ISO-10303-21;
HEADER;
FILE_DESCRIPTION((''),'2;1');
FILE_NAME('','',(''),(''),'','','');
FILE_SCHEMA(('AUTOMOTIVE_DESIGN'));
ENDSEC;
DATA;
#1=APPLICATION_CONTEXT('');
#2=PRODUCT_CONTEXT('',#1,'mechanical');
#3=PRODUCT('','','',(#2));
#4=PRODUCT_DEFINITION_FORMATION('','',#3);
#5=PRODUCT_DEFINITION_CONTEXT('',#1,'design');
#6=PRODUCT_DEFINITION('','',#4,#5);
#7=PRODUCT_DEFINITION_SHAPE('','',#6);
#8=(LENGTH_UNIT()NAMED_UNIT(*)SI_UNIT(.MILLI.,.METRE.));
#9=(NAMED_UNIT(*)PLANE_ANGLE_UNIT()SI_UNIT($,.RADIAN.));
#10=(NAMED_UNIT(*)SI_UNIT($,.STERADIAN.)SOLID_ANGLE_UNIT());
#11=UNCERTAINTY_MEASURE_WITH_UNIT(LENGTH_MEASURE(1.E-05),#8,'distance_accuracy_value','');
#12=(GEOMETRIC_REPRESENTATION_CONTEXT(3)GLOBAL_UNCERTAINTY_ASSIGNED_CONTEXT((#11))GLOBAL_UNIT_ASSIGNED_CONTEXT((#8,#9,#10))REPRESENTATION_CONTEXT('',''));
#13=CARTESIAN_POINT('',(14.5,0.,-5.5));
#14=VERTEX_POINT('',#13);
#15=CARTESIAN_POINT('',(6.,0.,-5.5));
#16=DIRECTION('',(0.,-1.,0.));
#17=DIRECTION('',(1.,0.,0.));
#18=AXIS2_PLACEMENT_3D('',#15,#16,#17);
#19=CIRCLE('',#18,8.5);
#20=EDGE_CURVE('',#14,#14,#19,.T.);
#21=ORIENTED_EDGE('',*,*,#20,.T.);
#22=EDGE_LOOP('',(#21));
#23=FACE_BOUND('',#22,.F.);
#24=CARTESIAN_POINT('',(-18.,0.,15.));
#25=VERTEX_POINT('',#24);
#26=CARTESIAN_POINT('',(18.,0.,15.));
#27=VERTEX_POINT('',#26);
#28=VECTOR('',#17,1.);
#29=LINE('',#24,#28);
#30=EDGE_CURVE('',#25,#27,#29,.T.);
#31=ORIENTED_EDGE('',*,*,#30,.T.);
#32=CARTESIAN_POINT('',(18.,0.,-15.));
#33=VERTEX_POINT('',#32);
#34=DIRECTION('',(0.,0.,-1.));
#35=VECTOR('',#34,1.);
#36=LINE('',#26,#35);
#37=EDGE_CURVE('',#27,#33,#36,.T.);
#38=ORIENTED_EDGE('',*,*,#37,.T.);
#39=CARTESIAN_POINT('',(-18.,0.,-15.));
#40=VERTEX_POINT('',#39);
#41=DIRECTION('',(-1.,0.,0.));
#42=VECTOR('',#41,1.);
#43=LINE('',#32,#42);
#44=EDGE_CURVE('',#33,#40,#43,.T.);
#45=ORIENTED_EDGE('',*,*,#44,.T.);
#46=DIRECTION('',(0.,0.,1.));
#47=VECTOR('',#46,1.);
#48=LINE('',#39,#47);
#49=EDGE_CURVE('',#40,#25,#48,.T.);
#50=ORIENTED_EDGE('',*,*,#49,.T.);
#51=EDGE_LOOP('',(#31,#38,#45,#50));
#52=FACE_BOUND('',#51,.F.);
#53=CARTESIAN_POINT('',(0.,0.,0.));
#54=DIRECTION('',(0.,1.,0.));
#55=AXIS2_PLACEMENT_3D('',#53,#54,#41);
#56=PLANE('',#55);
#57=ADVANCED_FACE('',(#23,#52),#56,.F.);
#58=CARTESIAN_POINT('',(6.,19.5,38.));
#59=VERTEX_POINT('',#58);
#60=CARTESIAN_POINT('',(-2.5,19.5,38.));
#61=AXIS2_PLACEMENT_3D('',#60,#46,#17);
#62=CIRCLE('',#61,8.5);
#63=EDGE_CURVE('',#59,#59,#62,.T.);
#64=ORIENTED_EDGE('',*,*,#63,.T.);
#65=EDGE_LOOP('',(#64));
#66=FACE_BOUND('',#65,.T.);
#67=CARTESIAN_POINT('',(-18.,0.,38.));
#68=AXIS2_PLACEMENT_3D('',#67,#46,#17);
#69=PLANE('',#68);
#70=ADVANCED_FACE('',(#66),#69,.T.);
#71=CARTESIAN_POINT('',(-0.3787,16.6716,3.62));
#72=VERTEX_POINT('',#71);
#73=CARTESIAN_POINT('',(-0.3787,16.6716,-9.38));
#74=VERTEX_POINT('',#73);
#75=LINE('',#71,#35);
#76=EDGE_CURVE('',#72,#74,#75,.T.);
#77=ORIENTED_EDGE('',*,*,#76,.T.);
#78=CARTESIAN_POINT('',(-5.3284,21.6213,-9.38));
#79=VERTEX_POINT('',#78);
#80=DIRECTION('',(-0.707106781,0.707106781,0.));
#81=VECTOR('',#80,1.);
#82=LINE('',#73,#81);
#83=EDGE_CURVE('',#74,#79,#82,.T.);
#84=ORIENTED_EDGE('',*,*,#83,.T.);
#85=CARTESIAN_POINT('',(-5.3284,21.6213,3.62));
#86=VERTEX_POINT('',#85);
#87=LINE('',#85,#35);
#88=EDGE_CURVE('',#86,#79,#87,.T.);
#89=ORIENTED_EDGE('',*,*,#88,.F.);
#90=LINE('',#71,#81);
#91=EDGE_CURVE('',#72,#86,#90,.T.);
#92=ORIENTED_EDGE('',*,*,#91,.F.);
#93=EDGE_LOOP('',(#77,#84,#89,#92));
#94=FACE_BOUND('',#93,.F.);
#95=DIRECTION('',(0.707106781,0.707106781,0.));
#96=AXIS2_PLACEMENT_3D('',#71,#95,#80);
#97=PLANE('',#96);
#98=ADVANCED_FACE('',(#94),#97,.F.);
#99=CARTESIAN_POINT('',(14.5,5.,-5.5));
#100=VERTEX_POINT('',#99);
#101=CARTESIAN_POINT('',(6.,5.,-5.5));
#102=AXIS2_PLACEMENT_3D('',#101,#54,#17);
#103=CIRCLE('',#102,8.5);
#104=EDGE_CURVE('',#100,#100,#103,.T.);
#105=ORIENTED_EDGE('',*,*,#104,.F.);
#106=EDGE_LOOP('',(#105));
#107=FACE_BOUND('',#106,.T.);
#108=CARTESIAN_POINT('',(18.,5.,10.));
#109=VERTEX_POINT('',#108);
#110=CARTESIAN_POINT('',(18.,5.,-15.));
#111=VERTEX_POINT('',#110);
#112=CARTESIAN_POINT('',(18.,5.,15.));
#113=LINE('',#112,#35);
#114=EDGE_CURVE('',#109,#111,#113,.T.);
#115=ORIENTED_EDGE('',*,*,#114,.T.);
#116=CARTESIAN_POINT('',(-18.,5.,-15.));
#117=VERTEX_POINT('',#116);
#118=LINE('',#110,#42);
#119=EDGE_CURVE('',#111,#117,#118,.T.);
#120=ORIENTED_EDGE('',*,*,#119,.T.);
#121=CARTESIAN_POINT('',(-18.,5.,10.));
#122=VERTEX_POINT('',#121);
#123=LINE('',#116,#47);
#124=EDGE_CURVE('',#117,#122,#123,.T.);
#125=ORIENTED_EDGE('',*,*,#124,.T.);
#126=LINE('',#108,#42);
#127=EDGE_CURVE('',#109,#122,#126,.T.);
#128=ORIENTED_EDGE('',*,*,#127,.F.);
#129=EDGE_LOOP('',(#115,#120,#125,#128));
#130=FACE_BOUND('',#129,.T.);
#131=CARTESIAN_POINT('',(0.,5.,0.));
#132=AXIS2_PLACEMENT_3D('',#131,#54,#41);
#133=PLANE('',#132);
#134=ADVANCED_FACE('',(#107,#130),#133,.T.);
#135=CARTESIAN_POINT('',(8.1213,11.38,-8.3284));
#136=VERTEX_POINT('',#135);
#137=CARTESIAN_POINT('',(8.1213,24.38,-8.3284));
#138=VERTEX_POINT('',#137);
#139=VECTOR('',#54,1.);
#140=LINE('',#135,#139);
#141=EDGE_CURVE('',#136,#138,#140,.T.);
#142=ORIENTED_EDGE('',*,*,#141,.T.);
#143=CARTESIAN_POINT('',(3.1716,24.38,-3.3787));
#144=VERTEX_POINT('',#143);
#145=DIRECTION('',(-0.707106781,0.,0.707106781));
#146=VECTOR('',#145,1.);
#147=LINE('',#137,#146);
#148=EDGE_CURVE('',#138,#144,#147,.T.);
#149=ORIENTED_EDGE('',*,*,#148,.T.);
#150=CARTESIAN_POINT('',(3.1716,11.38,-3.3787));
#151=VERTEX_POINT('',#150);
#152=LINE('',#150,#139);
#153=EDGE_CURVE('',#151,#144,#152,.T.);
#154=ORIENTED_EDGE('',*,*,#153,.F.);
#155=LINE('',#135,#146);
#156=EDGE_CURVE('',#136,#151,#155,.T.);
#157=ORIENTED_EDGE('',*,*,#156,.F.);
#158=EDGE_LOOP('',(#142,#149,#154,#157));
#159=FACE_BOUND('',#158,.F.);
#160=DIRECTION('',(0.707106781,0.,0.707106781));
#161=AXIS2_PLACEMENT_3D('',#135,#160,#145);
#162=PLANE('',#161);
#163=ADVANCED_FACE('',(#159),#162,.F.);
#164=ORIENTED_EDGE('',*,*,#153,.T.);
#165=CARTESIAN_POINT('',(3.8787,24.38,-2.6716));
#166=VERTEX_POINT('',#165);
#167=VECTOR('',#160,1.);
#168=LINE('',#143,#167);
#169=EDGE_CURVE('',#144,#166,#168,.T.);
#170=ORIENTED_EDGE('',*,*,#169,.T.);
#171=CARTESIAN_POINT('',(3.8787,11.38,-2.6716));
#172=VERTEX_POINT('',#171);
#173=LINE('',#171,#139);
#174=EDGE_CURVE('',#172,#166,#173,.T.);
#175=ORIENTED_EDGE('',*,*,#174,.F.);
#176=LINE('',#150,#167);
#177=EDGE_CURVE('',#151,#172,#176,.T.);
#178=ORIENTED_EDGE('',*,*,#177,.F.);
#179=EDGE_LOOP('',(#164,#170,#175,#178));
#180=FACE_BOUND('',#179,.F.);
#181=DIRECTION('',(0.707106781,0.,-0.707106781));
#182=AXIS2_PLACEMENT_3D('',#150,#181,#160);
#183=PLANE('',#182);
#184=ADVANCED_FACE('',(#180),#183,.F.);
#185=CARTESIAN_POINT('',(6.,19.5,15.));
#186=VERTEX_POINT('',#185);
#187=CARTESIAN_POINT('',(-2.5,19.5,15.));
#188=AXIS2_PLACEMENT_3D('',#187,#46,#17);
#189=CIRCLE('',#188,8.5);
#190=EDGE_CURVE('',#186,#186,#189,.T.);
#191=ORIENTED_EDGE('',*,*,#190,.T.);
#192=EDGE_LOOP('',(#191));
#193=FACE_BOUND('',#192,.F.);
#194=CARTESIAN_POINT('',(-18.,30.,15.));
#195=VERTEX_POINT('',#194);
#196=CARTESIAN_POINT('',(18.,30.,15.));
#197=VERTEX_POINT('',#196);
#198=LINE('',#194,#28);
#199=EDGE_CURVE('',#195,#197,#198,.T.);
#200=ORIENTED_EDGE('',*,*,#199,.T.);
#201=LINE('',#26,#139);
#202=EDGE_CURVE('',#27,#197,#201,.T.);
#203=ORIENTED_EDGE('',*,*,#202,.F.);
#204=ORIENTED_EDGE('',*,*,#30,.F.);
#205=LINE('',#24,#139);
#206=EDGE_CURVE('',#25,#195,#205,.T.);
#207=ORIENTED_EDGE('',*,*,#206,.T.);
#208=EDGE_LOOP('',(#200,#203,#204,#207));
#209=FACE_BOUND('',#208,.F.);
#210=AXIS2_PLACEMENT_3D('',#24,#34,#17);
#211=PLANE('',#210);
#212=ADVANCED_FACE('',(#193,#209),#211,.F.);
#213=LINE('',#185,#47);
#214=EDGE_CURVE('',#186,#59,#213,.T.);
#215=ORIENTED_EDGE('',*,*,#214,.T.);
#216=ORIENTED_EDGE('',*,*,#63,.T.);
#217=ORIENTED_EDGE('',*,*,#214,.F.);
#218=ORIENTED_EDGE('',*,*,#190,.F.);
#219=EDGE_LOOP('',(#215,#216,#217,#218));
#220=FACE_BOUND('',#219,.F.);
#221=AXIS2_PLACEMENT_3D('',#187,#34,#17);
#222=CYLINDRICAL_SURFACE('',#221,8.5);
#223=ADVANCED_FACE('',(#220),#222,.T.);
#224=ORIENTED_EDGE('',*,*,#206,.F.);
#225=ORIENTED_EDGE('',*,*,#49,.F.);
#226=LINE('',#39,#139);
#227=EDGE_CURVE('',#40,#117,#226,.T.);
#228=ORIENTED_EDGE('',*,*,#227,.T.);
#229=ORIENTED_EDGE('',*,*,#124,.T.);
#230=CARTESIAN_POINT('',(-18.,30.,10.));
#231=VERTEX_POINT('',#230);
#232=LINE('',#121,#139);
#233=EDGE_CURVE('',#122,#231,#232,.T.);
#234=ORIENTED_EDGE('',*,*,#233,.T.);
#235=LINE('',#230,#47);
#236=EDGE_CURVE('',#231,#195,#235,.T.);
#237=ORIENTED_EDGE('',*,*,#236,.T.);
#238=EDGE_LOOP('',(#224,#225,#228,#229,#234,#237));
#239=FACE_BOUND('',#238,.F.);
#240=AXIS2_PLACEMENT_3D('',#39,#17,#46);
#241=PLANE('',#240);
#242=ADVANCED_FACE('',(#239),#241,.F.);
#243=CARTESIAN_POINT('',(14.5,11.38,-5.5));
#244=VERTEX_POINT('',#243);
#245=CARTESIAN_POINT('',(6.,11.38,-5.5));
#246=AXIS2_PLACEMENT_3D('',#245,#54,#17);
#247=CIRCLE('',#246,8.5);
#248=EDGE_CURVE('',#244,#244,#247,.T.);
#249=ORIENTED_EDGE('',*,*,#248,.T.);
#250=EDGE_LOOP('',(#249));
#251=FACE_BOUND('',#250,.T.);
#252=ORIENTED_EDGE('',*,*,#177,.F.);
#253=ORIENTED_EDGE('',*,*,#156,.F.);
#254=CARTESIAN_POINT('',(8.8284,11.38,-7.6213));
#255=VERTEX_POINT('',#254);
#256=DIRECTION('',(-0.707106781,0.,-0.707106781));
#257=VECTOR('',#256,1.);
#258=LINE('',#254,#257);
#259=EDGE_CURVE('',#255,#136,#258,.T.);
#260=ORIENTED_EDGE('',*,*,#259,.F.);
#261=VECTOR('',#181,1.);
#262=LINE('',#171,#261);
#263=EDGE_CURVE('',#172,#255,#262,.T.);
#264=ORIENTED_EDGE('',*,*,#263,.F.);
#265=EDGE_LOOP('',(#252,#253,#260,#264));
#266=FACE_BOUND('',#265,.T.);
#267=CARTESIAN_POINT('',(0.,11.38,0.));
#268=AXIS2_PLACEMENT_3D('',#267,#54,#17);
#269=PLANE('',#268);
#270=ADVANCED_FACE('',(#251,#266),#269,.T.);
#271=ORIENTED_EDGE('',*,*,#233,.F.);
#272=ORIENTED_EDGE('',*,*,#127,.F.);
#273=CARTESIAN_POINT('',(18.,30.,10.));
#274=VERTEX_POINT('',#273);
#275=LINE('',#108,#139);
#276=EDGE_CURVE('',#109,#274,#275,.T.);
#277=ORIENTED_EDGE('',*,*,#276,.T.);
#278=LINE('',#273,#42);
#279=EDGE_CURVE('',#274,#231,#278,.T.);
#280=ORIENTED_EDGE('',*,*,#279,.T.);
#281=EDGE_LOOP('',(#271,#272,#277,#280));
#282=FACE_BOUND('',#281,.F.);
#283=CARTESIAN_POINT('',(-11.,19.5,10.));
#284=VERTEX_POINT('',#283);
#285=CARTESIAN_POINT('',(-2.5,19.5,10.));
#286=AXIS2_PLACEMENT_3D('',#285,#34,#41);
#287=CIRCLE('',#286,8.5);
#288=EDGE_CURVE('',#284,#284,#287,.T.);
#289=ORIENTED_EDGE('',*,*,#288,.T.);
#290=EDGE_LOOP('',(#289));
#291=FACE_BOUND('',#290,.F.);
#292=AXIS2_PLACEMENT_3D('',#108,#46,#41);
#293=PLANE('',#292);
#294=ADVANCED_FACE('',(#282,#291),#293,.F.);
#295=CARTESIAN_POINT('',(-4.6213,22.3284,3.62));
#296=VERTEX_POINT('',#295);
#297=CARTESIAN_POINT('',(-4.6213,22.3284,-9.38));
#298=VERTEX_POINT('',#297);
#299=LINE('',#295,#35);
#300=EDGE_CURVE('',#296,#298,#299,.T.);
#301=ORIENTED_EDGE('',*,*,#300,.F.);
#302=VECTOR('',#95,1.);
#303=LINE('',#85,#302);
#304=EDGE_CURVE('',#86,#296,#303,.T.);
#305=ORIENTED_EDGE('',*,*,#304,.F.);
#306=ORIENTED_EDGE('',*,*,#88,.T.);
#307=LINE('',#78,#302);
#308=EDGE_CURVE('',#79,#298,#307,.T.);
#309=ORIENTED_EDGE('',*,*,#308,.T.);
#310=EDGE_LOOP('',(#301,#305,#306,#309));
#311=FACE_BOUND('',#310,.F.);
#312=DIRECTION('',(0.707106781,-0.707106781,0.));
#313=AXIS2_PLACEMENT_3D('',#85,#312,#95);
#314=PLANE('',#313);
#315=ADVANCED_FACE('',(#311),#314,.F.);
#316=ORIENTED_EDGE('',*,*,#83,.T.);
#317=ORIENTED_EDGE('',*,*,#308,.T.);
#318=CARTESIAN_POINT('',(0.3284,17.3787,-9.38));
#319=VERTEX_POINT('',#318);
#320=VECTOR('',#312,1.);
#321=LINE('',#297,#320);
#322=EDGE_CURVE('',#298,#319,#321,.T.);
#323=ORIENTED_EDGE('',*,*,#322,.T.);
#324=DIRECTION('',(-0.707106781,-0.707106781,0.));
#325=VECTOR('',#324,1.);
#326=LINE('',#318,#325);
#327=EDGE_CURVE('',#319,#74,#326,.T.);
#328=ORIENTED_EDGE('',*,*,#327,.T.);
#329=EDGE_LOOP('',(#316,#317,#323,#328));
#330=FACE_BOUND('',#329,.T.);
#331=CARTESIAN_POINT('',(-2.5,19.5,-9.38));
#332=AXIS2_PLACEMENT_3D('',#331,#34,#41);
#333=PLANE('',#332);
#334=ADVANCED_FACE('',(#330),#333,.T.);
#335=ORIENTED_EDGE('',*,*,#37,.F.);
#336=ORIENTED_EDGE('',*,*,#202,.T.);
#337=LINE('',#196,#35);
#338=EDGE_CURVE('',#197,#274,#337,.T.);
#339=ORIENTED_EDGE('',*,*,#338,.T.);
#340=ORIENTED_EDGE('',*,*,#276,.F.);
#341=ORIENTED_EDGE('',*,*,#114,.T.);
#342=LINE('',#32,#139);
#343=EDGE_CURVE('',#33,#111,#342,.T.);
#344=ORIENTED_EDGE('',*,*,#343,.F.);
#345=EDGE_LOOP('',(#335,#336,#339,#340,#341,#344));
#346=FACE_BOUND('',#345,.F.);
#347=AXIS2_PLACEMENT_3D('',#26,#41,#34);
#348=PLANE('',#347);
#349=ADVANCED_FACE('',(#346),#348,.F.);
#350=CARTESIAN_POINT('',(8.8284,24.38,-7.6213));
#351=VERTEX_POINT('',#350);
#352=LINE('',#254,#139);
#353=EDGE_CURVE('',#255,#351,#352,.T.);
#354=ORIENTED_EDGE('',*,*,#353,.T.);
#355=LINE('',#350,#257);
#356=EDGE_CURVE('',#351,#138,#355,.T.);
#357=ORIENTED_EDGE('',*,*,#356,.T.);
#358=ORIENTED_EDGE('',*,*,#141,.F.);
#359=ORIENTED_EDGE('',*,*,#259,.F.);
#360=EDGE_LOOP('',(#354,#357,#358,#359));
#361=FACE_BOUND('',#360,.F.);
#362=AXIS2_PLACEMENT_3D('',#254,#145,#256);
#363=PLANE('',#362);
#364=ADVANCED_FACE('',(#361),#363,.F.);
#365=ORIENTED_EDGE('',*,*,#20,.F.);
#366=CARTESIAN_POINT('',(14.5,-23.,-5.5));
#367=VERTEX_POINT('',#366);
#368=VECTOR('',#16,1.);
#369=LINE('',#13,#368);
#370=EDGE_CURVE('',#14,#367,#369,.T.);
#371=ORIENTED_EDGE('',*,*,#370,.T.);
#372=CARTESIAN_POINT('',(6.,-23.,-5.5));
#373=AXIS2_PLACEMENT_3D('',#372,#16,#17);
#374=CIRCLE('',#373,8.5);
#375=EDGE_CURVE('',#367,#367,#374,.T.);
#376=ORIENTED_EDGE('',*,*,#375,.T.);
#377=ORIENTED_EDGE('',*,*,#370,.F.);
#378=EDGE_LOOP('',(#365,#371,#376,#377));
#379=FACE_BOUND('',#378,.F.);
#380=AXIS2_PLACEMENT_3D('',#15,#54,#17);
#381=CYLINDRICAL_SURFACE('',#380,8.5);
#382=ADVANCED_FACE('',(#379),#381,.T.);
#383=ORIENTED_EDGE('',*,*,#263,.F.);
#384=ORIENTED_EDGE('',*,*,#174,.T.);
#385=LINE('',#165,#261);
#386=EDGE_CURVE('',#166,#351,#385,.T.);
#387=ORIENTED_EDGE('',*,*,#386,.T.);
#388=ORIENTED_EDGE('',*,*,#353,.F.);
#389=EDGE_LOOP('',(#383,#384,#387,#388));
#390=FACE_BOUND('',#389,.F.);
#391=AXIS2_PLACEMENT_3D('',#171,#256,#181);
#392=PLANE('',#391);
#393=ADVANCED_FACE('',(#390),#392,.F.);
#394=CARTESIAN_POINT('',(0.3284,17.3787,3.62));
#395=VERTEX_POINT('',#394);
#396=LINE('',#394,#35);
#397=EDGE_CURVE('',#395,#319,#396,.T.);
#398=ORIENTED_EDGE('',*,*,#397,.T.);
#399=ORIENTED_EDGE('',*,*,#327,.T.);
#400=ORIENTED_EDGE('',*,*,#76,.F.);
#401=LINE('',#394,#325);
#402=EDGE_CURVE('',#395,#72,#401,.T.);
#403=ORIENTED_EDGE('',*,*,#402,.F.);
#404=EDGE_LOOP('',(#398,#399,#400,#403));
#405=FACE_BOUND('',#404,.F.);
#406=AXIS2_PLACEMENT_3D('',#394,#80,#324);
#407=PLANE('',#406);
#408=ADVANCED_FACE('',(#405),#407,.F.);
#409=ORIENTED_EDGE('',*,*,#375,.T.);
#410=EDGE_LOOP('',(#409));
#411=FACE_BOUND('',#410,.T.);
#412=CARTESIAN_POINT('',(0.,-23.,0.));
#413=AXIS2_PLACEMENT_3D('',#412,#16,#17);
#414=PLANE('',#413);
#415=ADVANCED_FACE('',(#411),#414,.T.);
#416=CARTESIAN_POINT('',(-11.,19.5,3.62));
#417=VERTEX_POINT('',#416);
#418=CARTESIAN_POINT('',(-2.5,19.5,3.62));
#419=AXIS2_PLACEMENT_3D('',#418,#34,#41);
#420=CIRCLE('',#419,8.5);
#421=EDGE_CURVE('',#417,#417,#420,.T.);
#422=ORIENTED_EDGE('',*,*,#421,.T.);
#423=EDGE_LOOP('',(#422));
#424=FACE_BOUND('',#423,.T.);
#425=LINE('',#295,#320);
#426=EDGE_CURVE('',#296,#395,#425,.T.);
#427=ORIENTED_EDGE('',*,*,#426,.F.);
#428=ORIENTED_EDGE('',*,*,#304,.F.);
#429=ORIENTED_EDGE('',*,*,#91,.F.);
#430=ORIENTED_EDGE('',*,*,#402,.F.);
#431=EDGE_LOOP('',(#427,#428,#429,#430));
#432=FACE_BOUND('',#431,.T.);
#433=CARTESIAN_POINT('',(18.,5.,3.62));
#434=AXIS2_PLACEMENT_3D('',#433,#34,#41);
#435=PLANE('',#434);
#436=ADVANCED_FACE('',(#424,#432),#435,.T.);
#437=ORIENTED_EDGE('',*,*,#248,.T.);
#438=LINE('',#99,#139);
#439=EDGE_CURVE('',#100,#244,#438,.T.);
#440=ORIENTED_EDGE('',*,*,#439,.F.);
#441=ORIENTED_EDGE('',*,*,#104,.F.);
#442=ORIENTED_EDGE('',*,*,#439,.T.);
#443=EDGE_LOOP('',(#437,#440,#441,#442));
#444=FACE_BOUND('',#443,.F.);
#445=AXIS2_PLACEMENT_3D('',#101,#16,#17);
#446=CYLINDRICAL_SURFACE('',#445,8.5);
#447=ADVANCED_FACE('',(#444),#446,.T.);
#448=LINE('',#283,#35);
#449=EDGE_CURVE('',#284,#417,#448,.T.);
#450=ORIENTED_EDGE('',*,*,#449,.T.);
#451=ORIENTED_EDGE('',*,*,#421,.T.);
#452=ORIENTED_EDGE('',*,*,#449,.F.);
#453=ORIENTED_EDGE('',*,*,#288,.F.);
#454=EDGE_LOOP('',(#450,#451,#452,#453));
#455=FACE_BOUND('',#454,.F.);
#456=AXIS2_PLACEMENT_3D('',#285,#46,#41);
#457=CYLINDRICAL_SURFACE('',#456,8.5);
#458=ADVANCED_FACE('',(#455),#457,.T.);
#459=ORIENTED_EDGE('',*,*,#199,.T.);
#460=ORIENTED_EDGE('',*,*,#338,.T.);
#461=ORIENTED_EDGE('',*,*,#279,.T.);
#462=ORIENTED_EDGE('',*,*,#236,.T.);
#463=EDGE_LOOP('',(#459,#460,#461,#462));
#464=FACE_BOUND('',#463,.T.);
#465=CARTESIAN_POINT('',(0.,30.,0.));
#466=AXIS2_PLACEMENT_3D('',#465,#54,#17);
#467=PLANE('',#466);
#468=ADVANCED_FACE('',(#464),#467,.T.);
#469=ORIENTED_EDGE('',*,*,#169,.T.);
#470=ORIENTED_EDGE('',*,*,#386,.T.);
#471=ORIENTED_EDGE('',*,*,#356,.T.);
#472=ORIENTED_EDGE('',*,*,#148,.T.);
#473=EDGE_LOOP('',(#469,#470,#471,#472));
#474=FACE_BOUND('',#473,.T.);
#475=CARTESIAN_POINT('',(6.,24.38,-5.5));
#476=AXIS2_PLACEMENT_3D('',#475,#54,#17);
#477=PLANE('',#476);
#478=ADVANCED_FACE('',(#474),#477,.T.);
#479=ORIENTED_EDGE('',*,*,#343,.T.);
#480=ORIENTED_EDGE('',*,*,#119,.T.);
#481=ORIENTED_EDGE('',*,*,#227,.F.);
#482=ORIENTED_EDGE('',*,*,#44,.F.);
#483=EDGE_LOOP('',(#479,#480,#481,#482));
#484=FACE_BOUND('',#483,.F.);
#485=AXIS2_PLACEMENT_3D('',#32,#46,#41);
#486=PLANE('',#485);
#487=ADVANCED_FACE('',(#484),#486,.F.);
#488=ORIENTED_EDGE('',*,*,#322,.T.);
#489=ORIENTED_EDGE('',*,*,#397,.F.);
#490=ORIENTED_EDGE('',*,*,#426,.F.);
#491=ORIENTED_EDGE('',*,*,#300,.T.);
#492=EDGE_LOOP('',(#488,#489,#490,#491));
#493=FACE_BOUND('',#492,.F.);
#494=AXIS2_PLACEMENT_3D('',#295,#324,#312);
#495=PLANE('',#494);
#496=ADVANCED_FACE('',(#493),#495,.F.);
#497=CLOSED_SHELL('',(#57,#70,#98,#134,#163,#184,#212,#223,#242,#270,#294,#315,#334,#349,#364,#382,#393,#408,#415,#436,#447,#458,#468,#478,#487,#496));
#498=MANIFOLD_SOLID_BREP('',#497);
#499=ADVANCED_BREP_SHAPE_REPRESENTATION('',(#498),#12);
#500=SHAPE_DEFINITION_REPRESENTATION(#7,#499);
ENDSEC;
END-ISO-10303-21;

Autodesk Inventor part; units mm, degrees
ref_plane "YZ Plane" through (0, 0, 0) normal (1, 0, 0) x (0, 1, 0)
ref_plane "XZ Plane" through (0, 0, 0) normal (0, 1, 0) x (-1, 0, 0)
ref_plane "XY Plane" through (0, 0, 0) normal (0, 0, 1) x (1, 0, 0)
sketch "Sketch1" plane through (0, 0, 0) normal (0, 1, 0) x (-1, 0, 0)
  line L0 (18, 15) -> (-18, 15)
  line L1 (-18, 15) -> (-18, -15)
  line L2 (-18, -15) -> (18, -15)
  line L3 (18, -15) -> (18, 15)
  point P0 (0, 0)
  point P1 (18, 0)
  point P2 (0, 15)
  dimension "d0" = 36
  dimension "d1" = 30
extrude "Extrusion1" add sketch "Sketch1" along normal blind 5
sketch "Sketch2" plane through (0, 5, 0) normal (0, 1, 0) x (1, 0, 0)
  line L0 (-18, -15) -> (18, -15) projected
  line L1 (-18, -15) -> (18, -15)
  line L2 (18, -15) -> (18, -10)
  line L3 (18, -10) -> (-18, -10)
  line L4 (-18, -10) -> (-18, -15)
  point P0 (0, 0)
  dimension "d4" = 5
extrude "Extrusion2" add sketch "Sketch2" along normal blind 25
sketch "Sketch3" plane through (0, 0, 0) normal (0, -1, 0) x (1, 0, 0)
  circle A0 centre (6, -5.5) radius 8.5
  line L0 (-18, 15) -> (18, 15) projected
  line L1 (18, 15) -> (18, -15) projected
  point P0 (0, 0)
  dimension "dGalvo" = 17
  dimension "d8" = 20.5
  dimension "d9" = 3.5
extrude "Extrusion3" add sketch "Sketch3" along normal blind 23
sketch "Sketch4" plane through (-18, 0, 15) normal (0, 0, 1) x (1, 0, 0)
  circle A0 centre (15.5, 19.5) radius 8.5
  line L0 (0, 30) -> (36, 30) projected
  line L1 (0, 0) -> (0, 30) projected
  point P0 (18, 0)
  dimension "d12" = 17
  dimension "d13" = 2
  dimension "d14" = 15.5
extrude "Extrusion4" add sketch "Sketch4" along normal blind 23
sketch "Sketch5" plane through (18, 5, 10) normal (0, 0, -1) x (-1, 0, 0)
  circle A0 centre (20.5, 14.5) radius 8.5 projected
  point P0 (18, -5)
extrude "Extrusion5" add sketch "Sketch5" along normal blind 6.38
sketch "Sketch6" plane through (0, 5, 0) normal (0, 1, 0) x (1, 0, 0)
  circle A0 centre (6, 5.5) radius 8.5 projected
  point P0 (0, 0)
extrude "Extrusion6" add sketch "Sketch6" along normal blind 6.38
sketch "Sketch7" plane through (6, 11.38, -5.5) normal (0, 1, 0) x (1, 0, 0)
  line L0 (-2.1213, -2.8284) -> (2.8284, 2.1213)
  line L1 (2.8284, 2.1213) -> (2.1213, 2.8284)
  line L2 (2.1213, 2.8284) -> (-2.8284, -2.1213)
  line L3 (-2.8284, -2.1213) -> (-2.1213, -2.8284)
  circle A0 centre (0, 0) radius 8.5 projected
  point P0 (-6, -5.5)
  point P1 (-2.4749, -2.4749)
  point P2 (0.3536, -0.3536)
  dimension "lenMirror" = 7
  dimension "thicknessMirror" = 1
extrude "Extrusion7" add sketch "Sketch7" along normal blind 13 contours L3 L2 L1 L0
sketch "Sketch8" plane through (-2.5, 19.5, 3.62) normal (0, 0, -1) x (-1, 0, 0)
  circle A0 centre (0, 0) radius 8.5 projected
  line L0 (2.1213, 2.8284) -> (-2.8284, -2.1213)
  line L1 (-2.8284, -2.1213) -> (-2.1213, -2.8284)
  line L2 (-2.1213, -2.8284) -> (2.8284, 2.1213)
  line L3 (2.8284, 2.1213) -> (2.1213, 2.8284)
  point P0 (-2.5, -19.5)
  point P1 (2.4749, 2.4749)
  point P2 (-0.3536, 0.3536)
  dimension "d25" = 7
  dimension "d26" = 1
extrude "Extrusion8" add sketch "Sketch8" along normal blind 13 contours L3 L2 L1 L0
equation "\"d12\" = dGalvo"
equation "\"d15\" = depthGalvo"
equation "\"d19\" = depthGalvoHead"
equation "\"d25\" = lenMirror"
equation "\"d26\" = thicknessMirror"
equation "\"d27\" = depthMirror"
equation "\"depthGalvo\" = 23"
equation "\"depthGalvoHead\" = 6.38"
equation "\"depthMirror\" = 13"
properties part number "galvos"
